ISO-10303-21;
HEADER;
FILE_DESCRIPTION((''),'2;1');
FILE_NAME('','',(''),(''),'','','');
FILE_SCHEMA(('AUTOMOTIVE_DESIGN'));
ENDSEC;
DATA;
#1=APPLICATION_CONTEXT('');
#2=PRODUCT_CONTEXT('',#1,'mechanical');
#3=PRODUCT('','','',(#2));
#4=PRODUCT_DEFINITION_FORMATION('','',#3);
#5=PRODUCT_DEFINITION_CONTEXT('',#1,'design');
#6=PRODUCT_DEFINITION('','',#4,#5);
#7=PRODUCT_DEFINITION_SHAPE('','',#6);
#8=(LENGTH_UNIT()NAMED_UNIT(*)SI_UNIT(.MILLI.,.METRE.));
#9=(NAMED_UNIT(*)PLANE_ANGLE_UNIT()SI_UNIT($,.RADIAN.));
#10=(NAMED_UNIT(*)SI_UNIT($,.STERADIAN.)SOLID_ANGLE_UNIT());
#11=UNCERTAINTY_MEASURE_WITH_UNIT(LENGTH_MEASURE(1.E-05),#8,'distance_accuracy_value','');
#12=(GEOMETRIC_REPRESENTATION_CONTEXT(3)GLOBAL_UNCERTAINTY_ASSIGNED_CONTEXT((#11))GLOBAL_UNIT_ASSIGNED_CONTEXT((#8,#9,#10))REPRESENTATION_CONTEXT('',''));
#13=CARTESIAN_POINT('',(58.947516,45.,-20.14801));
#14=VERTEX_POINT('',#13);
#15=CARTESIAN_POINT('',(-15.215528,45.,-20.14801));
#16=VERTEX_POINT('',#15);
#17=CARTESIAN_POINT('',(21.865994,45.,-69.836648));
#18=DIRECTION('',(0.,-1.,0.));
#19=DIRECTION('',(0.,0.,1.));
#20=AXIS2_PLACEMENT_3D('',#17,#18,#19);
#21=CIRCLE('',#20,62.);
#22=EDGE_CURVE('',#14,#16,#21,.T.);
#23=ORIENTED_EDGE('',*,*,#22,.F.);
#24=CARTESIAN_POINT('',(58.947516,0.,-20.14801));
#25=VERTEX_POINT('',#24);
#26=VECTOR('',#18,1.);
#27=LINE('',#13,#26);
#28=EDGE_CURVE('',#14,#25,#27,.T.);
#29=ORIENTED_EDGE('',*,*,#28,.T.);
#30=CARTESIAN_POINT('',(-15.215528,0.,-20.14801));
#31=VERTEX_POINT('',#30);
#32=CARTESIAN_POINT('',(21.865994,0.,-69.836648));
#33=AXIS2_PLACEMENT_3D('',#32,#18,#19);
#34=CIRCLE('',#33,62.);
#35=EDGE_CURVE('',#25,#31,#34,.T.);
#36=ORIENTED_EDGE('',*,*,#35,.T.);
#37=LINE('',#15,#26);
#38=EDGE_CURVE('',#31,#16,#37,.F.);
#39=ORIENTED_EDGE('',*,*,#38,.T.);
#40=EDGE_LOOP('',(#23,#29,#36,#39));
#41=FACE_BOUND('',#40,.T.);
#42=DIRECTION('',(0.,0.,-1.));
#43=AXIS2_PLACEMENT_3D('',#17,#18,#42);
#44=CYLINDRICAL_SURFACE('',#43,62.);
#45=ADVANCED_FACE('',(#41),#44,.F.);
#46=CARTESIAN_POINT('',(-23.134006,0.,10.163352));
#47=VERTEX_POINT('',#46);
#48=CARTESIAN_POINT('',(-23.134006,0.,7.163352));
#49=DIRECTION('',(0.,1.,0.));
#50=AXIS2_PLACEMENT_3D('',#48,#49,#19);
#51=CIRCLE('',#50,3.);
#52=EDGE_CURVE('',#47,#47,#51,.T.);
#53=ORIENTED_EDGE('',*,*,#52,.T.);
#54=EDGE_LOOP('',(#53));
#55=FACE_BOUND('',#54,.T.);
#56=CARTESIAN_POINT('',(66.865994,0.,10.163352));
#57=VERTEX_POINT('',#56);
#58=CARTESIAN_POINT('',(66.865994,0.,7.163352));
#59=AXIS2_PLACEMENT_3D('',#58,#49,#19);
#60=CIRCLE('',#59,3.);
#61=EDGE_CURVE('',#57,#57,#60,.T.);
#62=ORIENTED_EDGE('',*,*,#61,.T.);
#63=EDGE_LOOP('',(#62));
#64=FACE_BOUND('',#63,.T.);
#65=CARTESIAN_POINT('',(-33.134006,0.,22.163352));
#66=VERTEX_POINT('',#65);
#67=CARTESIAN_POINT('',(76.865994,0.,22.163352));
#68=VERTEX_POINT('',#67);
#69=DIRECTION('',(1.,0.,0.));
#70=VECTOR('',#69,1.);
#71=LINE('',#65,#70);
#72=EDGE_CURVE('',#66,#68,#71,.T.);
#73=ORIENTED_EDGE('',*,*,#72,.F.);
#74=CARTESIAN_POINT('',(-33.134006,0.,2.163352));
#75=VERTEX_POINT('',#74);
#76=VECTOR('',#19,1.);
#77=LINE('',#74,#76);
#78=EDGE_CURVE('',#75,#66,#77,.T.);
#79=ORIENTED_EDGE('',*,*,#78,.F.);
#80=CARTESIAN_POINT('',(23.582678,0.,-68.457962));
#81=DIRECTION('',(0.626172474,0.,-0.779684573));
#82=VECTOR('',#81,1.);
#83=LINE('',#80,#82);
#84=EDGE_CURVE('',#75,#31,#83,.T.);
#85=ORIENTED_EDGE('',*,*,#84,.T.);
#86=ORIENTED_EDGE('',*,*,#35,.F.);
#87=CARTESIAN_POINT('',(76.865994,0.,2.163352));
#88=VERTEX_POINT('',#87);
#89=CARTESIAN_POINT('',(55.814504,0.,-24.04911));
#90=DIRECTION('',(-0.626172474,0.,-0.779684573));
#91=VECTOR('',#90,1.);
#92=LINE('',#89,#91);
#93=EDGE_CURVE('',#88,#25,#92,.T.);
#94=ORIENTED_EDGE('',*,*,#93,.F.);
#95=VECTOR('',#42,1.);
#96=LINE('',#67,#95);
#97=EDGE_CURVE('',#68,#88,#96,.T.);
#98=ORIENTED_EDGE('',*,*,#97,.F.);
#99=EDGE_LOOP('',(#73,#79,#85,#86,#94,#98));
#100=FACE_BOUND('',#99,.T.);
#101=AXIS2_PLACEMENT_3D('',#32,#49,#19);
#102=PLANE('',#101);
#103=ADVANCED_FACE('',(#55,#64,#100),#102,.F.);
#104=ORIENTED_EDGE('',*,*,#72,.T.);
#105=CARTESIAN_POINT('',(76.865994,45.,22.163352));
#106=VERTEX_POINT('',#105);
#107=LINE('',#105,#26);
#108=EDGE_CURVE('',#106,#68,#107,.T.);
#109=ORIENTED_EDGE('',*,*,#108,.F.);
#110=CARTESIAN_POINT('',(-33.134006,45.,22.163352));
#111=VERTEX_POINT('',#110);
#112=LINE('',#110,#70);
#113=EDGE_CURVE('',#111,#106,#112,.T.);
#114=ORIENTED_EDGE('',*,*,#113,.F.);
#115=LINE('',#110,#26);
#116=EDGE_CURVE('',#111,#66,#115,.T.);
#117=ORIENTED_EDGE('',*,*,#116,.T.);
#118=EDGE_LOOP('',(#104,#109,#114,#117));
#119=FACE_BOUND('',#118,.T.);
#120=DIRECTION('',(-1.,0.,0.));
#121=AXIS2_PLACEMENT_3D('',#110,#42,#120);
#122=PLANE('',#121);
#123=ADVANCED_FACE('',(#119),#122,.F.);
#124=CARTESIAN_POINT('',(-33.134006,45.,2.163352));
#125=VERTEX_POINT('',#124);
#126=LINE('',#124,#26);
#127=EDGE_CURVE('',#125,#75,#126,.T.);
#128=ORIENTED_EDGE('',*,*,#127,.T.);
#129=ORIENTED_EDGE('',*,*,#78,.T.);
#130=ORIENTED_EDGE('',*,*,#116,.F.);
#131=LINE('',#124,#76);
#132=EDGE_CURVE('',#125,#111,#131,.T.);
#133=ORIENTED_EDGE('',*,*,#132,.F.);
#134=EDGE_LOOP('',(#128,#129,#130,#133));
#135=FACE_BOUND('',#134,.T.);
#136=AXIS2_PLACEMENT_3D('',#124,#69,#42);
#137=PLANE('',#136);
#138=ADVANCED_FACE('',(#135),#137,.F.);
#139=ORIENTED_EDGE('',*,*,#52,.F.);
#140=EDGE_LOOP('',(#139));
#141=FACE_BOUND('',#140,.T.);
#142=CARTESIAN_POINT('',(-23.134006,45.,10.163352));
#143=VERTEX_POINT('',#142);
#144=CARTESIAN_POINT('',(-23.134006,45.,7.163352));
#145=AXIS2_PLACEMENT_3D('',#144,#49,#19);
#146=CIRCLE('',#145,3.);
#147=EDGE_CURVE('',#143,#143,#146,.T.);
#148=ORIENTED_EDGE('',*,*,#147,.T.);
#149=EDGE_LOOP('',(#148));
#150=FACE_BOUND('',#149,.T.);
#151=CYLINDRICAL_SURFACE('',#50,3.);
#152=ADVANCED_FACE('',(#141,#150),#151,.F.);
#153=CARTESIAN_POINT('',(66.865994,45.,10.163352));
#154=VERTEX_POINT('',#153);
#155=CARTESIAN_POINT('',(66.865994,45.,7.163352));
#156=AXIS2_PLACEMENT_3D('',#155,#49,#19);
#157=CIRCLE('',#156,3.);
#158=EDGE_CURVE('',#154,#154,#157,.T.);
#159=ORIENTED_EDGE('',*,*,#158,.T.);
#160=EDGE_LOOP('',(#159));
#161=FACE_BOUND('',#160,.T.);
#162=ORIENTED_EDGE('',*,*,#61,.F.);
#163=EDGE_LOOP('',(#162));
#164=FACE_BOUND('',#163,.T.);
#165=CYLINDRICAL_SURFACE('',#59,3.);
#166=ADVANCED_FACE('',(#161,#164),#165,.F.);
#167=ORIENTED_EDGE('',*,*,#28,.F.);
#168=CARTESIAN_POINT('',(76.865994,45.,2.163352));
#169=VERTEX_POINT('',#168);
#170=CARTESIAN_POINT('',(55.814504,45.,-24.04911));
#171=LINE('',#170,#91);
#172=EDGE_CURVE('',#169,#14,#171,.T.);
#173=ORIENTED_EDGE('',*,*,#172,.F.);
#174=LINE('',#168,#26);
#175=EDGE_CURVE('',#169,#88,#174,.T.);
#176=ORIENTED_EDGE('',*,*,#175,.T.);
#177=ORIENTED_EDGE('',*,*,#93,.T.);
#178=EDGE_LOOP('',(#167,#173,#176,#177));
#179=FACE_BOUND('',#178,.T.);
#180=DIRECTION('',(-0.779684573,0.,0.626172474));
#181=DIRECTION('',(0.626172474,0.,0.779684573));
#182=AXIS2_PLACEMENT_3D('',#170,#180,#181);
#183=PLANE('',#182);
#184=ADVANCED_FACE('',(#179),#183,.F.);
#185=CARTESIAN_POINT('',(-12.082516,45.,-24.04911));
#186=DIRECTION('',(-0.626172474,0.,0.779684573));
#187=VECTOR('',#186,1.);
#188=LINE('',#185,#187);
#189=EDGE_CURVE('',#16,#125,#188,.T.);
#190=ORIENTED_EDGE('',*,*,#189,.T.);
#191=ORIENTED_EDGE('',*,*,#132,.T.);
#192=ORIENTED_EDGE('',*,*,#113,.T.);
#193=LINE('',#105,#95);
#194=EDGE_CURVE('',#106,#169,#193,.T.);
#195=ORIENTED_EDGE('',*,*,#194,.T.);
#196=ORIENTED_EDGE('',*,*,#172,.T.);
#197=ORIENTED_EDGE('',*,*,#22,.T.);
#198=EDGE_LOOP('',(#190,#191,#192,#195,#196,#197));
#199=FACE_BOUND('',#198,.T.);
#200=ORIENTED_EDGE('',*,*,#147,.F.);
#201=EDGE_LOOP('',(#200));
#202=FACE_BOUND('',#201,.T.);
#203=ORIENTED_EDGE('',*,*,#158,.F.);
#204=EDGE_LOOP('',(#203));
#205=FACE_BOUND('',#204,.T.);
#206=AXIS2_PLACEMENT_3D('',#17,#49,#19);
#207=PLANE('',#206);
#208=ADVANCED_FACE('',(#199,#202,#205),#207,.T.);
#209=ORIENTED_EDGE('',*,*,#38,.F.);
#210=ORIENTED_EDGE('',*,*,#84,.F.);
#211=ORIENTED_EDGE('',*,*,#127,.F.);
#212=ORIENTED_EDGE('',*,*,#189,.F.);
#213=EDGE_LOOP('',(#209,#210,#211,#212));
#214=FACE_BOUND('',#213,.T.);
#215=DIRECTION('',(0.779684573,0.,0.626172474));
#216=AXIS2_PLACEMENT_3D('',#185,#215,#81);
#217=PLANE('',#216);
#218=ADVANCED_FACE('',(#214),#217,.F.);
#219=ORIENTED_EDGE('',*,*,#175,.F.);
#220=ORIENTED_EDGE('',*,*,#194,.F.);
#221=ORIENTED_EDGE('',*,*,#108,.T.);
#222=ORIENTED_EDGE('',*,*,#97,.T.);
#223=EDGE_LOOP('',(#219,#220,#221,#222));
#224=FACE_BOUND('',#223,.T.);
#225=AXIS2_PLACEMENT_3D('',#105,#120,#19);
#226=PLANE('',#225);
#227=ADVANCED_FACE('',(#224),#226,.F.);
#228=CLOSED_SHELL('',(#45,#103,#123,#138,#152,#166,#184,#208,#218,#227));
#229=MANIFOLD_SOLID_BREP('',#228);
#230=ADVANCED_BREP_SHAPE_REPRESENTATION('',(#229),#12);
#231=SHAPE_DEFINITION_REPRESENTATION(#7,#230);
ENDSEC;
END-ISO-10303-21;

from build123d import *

# Parameters (mm, degrees)
BOSS_EXTRUDE1_DEPTH = 45
SKETCH2_R           = 3
CUT_EXTRUDE1_DEPTH  = 46
CUT_EXTRUDE3_DEPTH  = 46


with BuildPart() as part:
    # Sketch1 → Boss-Extrude1 (new body)
    with BuildSketch(Plane(origin=(0, 0, 0), x_dir=(1, 0, 0), z_dir=(0, 1, 0))):
        with BuildLine():
            Line((-33.134005589, -22.163352058), (76.865994411, -22.163352058))
            Line((76.865994411, -22.163352058), (76.865994411, -2.163352058))
            Line((76.865994411, -2.163352058), (62.388671822, 22.912106224))
            ThreePointArc((62.388671822, 22.912106224), (21.865994411, 7.836647942), (-18.656683, 22.912106224))
            Line((-18.656683, 22.912106224), (-33.134005589, -2.163352058))
            Line((-33.134005589, -2.163352058), (-33.134005589, -22.163352058))
        make_face()
    extrude(amount=BOSS_EXTRUDE1_DEPTH)

    # Sketch2 → Cut-Extrude1 (cut, through all)
    with BuildSketch(Plane(origin=(0, 45, 0), x_dir=(1, 0, 0), z_dir=(0, 1, 0))):
        with Locations((-23.134005589, -7.163352058)):
            Circle(SKETCH2_R)
        with Locations((66.865994411, -7.163352058)):
            Circle(SKETCH2_R)
    extrude(amount=-CUT_EXTRUDE1_DEPTH, mode=Mode.SUBTRACT)

    # Sketch3 → Cut-Extrude3 (cut, through all)
    with BuildSketch(Plane.XZ):
        Polygon((-12.082515606, -24.049109598), (-33.134005589, 2.163352058), (-36.114163106, -37.146188521), align=None)
        Polygon((79.846151928, -37.146188521), (55.814504429, -24.049109598), (76.865994411, 2.163352058), align=None)
    extrude(amount=-CUT_EXTRUDE3_DEPTH, mode=Mode.SUBTRACT)


solid = part.part
